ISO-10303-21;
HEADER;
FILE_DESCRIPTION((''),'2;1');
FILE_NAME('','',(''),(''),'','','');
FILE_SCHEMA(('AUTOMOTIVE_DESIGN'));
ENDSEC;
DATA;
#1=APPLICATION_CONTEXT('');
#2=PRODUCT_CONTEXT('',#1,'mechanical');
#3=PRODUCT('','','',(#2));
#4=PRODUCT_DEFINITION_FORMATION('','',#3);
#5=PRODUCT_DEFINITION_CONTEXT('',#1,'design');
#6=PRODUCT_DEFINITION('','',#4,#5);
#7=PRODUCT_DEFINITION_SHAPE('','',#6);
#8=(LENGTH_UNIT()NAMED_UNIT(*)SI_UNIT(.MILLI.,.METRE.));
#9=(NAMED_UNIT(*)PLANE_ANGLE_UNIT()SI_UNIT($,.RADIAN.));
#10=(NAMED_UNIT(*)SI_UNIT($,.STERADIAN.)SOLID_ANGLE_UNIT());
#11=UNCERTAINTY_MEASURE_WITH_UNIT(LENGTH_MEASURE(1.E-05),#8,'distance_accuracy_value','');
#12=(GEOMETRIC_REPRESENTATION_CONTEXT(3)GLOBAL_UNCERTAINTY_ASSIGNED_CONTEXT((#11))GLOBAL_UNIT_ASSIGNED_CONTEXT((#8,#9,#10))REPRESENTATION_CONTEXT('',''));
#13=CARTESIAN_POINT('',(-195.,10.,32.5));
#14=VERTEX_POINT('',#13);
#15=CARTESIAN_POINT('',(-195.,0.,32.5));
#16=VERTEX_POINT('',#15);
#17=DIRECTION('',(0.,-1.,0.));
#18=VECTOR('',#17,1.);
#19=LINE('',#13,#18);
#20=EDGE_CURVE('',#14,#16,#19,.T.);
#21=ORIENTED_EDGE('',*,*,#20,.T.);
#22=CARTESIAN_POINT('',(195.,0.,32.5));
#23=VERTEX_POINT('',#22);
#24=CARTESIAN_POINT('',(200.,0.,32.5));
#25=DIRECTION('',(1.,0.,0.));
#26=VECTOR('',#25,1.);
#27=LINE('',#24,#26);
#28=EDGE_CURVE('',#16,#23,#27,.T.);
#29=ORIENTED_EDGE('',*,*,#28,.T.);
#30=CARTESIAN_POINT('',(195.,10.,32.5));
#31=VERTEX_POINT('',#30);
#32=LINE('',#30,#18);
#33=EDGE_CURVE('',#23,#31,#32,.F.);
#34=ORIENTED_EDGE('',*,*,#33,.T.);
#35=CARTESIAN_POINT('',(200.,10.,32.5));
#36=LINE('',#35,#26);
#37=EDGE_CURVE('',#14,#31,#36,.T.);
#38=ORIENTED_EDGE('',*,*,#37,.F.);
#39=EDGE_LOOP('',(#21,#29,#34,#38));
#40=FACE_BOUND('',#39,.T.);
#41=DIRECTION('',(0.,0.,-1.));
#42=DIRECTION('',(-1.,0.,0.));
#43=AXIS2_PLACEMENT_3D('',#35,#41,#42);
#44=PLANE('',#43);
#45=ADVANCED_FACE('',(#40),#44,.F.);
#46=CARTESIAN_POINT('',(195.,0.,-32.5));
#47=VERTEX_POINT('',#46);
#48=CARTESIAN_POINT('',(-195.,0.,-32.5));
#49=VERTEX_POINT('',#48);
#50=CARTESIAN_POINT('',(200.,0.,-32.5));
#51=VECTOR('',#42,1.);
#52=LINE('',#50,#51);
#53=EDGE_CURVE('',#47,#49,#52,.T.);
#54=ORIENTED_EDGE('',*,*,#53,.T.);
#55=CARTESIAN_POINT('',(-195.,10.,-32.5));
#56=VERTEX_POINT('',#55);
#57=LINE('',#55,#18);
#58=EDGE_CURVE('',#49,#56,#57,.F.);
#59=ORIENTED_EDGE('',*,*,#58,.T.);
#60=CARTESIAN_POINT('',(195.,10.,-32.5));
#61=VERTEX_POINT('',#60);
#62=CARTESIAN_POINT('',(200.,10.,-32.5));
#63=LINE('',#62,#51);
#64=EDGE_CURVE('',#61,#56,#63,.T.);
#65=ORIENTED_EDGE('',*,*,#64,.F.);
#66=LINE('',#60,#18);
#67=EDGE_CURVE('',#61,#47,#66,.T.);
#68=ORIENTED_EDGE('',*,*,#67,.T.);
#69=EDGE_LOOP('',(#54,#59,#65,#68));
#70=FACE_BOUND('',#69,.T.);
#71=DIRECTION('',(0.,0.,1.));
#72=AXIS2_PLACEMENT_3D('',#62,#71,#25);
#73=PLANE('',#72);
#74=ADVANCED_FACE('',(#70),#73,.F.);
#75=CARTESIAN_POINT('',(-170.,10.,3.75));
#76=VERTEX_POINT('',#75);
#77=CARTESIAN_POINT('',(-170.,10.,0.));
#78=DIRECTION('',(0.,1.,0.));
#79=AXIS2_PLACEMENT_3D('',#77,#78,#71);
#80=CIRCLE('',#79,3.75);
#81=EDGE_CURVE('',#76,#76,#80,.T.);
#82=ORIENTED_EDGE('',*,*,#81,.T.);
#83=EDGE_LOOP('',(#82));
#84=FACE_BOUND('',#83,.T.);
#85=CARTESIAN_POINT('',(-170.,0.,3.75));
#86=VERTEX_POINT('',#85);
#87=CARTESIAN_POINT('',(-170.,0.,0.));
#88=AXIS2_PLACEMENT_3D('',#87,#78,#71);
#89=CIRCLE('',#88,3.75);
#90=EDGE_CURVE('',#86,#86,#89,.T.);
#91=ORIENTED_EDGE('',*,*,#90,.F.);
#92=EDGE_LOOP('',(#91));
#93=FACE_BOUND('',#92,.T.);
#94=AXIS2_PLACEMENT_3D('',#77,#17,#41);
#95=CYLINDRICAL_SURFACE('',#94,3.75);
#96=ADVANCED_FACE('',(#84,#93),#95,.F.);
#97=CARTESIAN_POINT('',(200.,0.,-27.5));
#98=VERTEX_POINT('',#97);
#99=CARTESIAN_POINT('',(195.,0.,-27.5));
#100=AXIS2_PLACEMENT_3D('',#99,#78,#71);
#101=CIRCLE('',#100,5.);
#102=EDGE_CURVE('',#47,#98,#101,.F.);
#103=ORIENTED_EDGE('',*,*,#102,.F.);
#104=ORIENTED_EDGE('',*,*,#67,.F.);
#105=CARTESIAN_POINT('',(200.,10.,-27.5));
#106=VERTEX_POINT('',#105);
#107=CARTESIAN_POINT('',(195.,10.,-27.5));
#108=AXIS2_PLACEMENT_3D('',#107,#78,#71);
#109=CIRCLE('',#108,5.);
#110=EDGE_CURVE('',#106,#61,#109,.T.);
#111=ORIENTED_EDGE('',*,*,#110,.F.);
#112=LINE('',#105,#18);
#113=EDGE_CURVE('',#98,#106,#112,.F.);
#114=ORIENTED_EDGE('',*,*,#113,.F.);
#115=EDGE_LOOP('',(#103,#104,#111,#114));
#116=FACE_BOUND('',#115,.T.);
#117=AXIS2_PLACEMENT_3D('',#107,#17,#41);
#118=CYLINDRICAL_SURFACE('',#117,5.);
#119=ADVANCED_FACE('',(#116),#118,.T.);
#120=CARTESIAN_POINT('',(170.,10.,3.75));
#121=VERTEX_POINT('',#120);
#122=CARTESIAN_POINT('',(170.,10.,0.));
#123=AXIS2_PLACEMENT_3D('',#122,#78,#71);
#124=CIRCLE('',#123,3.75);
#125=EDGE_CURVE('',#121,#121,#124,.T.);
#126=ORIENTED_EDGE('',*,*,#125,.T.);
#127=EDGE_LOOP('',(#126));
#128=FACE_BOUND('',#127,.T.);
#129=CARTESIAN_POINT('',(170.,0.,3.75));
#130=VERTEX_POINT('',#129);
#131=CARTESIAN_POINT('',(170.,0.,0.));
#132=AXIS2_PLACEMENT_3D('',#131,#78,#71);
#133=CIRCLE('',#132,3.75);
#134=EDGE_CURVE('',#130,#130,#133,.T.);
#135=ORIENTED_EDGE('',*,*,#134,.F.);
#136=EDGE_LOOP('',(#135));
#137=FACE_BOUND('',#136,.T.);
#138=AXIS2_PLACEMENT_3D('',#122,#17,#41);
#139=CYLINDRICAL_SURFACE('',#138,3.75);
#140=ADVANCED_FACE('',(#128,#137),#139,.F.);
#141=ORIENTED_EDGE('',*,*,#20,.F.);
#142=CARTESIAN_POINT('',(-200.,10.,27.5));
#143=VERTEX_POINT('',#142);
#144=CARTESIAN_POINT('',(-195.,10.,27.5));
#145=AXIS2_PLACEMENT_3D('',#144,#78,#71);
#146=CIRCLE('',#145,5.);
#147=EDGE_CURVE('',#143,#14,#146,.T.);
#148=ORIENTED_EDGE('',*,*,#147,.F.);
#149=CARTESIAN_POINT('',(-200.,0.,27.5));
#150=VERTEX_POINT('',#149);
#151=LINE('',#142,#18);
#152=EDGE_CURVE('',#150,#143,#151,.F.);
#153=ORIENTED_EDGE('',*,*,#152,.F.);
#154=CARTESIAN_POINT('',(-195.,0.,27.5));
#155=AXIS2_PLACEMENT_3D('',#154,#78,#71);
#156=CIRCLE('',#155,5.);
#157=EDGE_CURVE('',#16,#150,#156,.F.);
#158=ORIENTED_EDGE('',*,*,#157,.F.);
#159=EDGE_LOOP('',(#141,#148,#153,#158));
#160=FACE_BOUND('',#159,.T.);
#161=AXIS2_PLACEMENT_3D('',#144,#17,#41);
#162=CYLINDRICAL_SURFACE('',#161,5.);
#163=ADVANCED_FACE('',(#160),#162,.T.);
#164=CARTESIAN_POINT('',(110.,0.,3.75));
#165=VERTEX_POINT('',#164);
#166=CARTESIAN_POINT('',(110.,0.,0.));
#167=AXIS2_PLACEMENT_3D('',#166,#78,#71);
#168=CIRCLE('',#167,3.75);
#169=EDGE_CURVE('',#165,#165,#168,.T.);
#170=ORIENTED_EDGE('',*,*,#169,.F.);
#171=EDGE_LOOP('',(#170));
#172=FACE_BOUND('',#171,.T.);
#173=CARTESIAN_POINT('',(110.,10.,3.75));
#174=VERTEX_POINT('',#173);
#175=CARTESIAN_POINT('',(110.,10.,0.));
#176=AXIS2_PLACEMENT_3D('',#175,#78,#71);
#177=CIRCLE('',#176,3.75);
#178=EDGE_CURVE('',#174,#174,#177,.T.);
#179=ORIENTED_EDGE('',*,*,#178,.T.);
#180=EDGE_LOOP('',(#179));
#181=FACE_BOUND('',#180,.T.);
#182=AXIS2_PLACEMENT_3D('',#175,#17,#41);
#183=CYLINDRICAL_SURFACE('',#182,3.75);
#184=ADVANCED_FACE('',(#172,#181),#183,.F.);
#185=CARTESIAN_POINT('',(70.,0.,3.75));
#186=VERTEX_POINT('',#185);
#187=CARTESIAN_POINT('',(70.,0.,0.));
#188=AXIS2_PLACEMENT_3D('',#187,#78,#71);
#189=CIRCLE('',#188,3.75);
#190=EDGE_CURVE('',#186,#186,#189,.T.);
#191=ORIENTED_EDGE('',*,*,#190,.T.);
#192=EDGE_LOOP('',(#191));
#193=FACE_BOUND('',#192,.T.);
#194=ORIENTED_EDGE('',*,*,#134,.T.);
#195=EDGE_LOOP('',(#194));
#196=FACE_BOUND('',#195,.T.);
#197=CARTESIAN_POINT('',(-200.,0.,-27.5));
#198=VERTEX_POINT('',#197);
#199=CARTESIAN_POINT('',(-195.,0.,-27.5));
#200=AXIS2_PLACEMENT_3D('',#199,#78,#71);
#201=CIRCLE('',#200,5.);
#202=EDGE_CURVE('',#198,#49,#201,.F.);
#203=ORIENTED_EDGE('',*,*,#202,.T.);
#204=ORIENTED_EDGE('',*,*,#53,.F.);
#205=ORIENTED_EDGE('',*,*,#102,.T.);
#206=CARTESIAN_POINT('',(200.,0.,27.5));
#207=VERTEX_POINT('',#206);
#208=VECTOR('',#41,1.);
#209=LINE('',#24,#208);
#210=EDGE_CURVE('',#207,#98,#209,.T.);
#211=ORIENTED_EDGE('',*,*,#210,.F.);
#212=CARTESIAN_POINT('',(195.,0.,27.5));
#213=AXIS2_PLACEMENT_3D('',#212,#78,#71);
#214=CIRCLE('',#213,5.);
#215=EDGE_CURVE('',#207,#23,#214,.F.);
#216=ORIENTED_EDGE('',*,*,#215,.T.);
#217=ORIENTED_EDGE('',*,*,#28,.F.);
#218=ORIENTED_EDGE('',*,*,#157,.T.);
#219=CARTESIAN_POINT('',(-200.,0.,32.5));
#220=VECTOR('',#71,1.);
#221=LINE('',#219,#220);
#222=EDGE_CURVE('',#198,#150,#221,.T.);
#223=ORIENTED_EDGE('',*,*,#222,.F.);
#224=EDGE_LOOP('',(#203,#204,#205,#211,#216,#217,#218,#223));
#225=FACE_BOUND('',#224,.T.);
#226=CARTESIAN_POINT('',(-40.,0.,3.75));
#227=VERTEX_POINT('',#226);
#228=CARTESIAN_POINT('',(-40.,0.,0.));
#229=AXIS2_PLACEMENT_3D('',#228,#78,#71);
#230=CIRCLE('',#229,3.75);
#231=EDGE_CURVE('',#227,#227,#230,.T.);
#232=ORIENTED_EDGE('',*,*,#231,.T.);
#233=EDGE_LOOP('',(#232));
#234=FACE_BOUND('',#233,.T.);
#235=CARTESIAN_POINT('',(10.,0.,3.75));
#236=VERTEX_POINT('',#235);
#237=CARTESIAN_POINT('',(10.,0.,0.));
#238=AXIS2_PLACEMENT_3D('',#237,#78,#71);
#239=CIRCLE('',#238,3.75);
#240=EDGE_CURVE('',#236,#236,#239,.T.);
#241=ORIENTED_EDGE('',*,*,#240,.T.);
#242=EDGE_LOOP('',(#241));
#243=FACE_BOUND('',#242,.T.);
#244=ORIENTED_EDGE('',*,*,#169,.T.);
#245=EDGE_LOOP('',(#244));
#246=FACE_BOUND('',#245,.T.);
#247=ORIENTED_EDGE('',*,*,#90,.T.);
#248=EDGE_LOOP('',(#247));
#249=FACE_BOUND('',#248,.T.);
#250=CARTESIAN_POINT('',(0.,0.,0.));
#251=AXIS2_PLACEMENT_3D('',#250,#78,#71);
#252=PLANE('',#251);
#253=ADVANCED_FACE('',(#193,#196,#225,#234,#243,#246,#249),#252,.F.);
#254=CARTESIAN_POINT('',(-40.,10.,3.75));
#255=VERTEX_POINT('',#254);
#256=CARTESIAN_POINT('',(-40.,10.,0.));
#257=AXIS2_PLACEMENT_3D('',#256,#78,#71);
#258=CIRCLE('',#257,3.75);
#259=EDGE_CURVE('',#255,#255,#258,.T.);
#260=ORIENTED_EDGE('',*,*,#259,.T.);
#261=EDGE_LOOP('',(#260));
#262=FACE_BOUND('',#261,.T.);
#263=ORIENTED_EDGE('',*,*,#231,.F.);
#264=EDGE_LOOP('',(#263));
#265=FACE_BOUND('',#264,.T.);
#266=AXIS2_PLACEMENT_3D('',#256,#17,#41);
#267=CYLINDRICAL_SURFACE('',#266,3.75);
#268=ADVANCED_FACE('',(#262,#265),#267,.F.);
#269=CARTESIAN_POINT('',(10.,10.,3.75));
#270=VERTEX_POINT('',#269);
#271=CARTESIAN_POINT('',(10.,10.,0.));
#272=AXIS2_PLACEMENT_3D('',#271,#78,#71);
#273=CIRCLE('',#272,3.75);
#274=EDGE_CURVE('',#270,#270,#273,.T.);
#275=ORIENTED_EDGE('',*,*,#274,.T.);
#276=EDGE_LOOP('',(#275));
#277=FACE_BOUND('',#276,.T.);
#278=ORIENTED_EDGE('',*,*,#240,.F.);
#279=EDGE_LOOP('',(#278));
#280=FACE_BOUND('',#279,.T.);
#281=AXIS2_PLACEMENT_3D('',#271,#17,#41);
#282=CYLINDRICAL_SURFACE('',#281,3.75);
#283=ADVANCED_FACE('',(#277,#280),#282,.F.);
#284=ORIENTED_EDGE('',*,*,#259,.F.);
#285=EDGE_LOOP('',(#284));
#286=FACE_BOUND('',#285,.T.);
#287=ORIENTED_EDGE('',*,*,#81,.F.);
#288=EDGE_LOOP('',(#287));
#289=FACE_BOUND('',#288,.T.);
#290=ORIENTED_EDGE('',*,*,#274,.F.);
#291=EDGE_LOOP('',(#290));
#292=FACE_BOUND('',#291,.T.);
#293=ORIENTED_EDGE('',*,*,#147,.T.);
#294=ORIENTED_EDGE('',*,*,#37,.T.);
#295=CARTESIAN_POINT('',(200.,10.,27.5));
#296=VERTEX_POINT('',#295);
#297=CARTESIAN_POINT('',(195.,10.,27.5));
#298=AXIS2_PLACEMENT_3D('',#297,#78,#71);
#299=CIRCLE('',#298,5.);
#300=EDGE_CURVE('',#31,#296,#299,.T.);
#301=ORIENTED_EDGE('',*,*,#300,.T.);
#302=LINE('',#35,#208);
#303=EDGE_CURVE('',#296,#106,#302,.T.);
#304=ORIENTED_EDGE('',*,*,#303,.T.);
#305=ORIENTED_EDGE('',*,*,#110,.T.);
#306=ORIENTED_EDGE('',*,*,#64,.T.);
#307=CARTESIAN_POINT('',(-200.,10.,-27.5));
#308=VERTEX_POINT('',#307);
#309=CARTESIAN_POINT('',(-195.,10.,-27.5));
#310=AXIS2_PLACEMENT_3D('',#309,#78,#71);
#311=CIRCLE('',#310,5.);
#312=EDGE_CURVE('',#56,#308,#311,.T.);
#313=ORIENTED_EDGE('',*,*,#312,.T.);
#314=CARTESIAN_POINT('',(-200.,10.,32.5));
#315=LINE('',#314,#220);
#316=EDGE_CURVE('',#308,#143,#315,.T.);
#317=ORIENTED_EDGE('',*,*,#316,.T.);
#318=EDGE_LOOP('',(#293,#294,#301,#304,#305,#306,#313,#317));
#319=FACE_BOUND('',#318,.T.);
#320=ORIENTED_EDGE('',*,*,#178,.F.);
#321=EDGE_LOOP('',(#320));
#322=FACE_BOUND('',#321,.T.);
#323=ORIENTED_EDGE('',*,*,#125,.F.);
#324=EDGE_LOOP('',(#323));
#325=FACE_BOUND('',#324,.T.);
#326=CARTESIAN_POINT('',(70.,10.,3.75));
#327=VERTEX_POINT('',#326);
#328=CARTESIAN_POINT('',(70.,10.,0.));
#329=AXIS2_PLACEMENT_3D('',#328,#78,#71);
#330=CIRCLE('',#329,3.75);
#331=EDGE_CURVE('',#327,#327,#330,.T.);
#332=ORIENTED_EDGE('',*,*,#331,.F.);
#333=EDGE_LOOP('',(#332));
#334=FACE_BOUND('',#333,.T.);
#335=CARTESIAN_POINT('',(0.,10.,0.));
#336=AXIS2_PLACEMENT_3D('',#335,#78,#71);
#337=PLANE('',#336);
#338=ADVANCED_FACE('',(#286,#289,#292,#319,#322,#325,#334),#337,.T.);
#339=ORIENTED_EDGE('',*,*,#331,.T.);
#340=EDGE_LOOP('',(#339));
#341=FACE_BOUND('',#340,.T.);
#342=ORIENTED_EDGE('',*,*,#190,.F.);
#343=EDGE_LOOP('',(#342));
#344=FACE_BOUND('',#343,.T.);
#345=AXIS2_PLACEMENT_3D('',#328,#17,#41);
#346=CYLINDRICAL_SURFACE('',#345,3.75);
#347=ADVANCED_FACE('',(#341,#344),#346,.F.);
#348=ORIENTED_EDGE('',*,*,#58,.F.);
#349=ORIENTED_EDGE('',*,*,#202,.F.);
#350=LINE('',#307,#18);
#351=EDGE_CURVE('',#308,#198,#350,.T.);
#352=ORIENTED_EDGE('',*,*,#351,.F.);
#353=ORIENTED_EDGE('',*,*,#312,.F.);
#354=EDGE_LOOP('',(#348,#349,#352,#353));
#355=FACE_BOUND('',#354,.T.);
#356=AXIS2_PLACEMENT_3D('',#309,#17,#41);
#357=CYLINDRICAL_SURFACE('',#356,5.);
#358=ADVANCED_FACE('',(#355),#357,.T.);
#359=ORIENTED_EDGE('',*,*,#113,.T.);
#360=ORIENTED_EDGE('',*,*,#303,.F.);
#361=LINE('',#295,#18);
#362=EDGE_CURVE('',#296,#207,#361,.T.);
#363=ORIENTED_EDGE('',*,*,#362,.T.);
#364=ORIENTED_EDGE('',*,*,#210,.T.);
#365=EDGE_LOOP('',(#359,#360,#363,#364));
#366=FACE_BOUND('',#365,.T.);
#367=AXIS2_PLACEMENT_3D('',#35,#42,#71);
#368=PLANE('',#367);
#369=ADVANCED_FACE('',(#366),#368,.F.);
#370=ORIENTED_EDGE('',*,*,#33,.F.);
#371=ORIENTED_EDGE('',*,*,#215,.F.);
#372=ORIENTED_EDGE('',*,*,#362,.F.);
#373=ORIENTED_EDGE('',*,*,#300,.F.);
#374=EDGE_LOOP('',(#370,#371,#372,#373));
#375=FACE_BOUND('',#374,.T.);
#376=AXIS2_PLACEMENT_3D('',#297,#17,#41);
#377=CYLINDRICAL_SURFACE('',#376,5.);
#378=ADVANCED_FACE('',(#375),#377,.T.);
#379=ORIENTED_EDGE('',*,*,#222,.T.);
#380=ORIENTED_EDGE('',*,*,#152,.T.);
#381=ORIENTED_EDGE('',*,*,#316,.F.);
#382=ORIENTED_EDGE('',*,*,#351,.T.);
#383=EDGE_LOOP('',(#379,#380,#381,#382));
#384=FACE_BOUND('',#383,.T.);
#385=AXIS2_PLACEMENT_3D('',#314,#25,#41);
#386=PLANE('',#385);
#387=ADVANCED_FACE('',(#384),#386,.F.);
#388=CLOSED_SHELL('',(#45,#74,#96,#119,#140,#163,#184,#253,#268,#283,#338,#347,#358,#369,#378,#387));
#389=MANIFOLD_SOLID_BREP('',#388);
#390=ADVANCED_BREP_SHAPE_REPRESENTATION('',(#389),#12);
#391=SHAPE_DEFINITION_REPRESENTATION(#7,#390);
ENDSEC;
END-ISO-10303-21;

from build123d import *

# Parameters (mm, degrees)
SKETCH1_W           = 400
SKETCH1_H           = 65
SKETCH1_R           = 3.75
BOSS_EXTRUDE1_DEPTH = 10
FILLET1_R           = 5


with BuildPart() as part:
    # Sketch1 → Boss-Extrude1 (new body)
    with BuildSketch(Plane(origin=(0, 0, 0), x_dir=(1, 0, 0), z_dir=(0, 1, 0))):
        Rectangle(SKETCH1_W, SKETCH1_H)
        with Locations(Location((-170, 0, 0), (0, 0, 270))):
            Circle(SKETCH1_R, mode=Mode.SUBTRACT)
        with Locations(Location((-40, 0, 0), (0, 0, 270))):
            Circle(SKETCH1_R, mode=Mode.SUBTRACT)
        with Locations(Location((10, 0, 0), (0, 0, 270))):
            Circle(SKETCH1_R, mode=Mode.SUBTRACT)
        with Locations(Location((70, 0, 0), (0, 0, 270))):
            Circle(SKETCH1_R, mode=Mode.SUBTRACT)
        with Locations(Location((110, 0, 0), (0, 0, 270))):
            Circle(SKETCH1_R, mode=Mode.SUBTRACT)
        with Locations(Location((170, 0, 0), (0, 0, 270))):
            Circle(SKETCH1_R, mode=Mode.SUBTRACT)
    extrude(amount=BOSS_EXTRUDE1_DEPTH)

    # Fillet1
    fillet1_edges = [part.edges().sort_by_distance(p)[0] for p in [
        (-200, 5, -32.5),
        (200, 5, -32.5),
        (200, 5, 32.5),
        (-200, 5, 32.5),
    ]]
    fillet(fillet1_edges, radius=FILLET1_R)


solid = part.part
